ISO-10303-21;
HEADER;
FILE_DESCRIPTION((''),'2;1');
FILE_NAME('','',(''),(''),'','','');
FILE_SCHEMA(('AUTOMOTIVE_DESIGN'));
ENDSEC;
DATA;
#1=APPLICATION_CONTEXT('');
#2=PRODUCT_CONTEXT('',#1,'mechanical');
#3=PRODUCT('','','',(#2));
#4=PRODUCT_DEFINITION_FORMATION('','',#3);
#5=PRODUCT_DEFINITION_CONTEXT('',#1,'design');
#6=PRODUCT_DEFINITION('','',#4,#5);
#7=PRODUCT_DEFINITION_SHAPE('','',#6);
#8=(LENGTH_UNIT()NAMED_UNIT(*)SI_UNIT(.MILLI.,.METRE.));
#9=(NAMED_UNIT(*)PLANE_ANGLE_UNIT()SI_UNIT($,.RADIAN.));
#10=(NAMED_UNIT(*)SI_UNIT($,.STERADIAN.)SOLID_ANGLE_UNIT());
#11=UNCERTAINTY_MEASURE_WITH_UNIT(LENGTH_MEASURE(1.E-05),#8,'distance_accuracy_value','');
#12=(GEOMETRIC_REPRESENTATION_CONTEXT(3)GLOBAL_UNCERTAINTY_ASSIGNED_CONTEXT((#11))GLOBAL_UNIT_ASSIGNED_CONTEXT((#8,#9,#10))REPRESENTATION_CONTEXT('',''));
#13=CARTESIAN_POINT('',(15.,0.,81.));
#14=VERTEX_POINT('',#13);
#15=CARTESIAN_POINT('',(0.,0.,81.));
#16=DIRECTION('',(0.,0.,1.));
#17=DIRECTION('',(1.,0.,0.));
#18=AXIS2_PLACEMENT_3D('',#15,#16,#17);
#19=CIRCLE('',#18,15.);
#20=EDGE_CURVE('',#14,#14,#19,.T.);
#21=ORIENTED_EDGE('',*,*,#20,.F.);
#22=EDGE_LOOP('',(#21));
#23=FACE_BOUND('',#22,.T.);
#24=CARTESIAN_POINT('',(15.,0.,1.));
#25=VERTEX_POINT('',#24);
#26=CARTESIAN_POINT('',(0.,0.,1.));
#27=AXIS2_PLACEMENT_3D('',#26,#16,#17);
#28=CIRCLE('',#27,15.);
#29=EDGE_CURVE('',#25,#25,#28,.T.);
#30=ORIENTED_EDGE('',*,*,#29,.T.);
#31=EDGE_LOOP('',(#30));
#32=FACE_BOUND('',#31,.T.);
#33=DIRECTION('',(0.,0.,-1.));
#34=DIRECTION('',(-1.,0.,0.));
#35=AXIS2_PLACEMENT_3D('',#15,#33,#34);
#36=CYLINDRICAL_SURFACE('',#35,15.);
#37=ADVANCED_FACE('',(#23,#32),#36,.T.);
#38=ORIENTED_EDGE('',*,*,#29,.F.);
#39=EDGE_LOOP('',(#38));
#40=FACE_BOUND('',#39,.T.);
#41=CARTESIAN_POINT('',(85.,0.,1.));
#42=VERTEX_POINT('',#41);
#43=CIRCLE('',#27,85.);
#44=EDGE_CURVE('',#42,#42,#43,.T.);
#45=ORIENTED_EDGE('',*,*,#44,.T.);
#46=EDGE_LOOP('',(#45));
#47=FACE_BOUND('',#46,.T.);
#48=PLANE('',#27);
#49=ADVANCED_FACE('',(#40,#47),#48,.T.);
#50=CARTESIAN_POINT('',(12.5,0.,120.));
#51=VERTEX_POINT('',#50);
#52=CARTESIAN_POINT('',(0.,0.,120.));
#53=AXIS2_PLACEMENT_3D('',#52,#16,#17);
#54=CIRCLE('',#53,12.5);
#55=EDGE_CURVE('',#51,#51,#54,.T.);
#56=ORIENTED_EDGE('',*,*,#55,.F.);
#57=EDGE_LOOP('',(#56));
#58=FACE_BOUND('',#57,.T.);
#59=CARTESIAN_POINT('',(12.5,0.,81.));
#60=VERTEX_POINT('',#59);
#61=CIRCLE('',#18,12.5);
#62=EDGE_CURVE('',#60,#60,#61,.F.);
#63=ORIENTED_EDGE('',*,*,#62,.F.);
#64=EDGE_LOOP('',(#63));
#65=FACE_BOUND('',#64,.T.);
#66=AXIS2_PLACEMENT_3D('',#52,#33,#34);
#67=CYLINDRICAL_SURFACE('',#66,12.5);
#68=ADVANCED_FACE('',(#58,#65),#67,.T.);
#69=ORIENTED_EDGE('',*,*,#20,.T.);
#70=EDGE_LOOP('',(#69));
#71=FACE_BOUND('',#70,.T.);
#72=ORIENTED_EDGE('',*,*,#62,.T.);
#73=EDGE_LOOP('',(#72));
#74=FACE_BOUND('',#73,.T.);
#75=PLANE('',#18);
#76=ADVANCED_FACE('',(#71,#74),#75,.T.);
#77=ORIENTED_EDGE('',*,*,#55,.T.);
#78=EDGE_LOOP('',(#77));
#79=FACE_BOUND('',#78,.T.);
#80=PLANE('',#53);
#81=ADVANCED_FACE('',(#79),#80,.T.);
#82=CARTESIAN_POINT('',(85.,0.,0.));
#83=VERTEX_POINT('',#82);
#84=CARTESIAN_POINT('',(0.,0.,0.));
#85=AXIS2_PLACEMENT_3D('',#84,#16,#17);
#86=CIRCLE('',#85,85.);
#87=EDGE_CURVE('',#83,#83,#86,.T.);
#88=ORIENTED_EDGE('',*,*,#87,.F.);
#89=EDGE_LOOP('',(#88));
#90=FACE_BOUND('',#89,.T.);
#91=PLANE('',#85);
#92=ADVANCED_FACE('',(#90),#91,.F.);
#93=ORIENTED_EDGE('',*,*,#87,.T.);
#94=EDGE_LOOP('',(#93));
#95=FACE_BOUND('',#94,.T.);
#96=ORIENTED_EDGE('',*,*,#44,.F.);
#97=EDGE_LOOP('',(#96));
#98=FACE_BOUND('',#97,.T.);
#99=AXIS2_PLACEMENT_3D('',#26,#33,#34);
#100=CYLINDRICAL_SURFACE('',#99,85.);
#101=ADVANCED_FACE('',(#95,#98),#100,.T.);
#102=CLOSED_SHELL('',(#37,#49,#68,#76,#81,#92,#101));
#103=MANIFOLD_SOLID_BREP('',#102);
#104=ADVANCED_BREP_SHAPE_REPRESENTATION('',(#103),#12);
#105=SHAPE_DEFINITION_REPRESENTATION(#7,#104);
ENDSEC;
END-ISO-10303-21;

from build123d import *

# Parameters (mm, degrees)
SKETCH_1_R      = 85
SKETCH_1_R_2    = 15
EXTRUDE_1_DEPTH = 1
SKETCH_1_3_R    = 15
EXTRUDE_2_DEPTH = 81
SKETCH_1_4_R    = 12.5
EXTRUDE_3_DEPTH = 120


with BuildPart() as part:
    # 草图1 → 凸台-拉伸1 (new body)
    with BuildSketch(Plane.XY):
        Circle(SKETCH_1_R)
        Circle(SKETCH_1_R_2, mode=Mode.SUBTRACT)
    extrude(amount=EXTRUDE_1_DEPTH)

    # 草图1<3> → 凸台-拉伸2 (add)
    with BuildSketch(Plane.XY):
        Circle(SKETCH_1_3_R)
    extrude(amount=EXTRUDE_2_DEPTH)

    # 草图1<4> → 凸台-拉伸3 (add)
    with BuildSketch(Plane.XY):
        Circle(SKETCH_1_4_R)
    extrude(amount=EXTRUDE_3_DEPTH)


solid = part.part
